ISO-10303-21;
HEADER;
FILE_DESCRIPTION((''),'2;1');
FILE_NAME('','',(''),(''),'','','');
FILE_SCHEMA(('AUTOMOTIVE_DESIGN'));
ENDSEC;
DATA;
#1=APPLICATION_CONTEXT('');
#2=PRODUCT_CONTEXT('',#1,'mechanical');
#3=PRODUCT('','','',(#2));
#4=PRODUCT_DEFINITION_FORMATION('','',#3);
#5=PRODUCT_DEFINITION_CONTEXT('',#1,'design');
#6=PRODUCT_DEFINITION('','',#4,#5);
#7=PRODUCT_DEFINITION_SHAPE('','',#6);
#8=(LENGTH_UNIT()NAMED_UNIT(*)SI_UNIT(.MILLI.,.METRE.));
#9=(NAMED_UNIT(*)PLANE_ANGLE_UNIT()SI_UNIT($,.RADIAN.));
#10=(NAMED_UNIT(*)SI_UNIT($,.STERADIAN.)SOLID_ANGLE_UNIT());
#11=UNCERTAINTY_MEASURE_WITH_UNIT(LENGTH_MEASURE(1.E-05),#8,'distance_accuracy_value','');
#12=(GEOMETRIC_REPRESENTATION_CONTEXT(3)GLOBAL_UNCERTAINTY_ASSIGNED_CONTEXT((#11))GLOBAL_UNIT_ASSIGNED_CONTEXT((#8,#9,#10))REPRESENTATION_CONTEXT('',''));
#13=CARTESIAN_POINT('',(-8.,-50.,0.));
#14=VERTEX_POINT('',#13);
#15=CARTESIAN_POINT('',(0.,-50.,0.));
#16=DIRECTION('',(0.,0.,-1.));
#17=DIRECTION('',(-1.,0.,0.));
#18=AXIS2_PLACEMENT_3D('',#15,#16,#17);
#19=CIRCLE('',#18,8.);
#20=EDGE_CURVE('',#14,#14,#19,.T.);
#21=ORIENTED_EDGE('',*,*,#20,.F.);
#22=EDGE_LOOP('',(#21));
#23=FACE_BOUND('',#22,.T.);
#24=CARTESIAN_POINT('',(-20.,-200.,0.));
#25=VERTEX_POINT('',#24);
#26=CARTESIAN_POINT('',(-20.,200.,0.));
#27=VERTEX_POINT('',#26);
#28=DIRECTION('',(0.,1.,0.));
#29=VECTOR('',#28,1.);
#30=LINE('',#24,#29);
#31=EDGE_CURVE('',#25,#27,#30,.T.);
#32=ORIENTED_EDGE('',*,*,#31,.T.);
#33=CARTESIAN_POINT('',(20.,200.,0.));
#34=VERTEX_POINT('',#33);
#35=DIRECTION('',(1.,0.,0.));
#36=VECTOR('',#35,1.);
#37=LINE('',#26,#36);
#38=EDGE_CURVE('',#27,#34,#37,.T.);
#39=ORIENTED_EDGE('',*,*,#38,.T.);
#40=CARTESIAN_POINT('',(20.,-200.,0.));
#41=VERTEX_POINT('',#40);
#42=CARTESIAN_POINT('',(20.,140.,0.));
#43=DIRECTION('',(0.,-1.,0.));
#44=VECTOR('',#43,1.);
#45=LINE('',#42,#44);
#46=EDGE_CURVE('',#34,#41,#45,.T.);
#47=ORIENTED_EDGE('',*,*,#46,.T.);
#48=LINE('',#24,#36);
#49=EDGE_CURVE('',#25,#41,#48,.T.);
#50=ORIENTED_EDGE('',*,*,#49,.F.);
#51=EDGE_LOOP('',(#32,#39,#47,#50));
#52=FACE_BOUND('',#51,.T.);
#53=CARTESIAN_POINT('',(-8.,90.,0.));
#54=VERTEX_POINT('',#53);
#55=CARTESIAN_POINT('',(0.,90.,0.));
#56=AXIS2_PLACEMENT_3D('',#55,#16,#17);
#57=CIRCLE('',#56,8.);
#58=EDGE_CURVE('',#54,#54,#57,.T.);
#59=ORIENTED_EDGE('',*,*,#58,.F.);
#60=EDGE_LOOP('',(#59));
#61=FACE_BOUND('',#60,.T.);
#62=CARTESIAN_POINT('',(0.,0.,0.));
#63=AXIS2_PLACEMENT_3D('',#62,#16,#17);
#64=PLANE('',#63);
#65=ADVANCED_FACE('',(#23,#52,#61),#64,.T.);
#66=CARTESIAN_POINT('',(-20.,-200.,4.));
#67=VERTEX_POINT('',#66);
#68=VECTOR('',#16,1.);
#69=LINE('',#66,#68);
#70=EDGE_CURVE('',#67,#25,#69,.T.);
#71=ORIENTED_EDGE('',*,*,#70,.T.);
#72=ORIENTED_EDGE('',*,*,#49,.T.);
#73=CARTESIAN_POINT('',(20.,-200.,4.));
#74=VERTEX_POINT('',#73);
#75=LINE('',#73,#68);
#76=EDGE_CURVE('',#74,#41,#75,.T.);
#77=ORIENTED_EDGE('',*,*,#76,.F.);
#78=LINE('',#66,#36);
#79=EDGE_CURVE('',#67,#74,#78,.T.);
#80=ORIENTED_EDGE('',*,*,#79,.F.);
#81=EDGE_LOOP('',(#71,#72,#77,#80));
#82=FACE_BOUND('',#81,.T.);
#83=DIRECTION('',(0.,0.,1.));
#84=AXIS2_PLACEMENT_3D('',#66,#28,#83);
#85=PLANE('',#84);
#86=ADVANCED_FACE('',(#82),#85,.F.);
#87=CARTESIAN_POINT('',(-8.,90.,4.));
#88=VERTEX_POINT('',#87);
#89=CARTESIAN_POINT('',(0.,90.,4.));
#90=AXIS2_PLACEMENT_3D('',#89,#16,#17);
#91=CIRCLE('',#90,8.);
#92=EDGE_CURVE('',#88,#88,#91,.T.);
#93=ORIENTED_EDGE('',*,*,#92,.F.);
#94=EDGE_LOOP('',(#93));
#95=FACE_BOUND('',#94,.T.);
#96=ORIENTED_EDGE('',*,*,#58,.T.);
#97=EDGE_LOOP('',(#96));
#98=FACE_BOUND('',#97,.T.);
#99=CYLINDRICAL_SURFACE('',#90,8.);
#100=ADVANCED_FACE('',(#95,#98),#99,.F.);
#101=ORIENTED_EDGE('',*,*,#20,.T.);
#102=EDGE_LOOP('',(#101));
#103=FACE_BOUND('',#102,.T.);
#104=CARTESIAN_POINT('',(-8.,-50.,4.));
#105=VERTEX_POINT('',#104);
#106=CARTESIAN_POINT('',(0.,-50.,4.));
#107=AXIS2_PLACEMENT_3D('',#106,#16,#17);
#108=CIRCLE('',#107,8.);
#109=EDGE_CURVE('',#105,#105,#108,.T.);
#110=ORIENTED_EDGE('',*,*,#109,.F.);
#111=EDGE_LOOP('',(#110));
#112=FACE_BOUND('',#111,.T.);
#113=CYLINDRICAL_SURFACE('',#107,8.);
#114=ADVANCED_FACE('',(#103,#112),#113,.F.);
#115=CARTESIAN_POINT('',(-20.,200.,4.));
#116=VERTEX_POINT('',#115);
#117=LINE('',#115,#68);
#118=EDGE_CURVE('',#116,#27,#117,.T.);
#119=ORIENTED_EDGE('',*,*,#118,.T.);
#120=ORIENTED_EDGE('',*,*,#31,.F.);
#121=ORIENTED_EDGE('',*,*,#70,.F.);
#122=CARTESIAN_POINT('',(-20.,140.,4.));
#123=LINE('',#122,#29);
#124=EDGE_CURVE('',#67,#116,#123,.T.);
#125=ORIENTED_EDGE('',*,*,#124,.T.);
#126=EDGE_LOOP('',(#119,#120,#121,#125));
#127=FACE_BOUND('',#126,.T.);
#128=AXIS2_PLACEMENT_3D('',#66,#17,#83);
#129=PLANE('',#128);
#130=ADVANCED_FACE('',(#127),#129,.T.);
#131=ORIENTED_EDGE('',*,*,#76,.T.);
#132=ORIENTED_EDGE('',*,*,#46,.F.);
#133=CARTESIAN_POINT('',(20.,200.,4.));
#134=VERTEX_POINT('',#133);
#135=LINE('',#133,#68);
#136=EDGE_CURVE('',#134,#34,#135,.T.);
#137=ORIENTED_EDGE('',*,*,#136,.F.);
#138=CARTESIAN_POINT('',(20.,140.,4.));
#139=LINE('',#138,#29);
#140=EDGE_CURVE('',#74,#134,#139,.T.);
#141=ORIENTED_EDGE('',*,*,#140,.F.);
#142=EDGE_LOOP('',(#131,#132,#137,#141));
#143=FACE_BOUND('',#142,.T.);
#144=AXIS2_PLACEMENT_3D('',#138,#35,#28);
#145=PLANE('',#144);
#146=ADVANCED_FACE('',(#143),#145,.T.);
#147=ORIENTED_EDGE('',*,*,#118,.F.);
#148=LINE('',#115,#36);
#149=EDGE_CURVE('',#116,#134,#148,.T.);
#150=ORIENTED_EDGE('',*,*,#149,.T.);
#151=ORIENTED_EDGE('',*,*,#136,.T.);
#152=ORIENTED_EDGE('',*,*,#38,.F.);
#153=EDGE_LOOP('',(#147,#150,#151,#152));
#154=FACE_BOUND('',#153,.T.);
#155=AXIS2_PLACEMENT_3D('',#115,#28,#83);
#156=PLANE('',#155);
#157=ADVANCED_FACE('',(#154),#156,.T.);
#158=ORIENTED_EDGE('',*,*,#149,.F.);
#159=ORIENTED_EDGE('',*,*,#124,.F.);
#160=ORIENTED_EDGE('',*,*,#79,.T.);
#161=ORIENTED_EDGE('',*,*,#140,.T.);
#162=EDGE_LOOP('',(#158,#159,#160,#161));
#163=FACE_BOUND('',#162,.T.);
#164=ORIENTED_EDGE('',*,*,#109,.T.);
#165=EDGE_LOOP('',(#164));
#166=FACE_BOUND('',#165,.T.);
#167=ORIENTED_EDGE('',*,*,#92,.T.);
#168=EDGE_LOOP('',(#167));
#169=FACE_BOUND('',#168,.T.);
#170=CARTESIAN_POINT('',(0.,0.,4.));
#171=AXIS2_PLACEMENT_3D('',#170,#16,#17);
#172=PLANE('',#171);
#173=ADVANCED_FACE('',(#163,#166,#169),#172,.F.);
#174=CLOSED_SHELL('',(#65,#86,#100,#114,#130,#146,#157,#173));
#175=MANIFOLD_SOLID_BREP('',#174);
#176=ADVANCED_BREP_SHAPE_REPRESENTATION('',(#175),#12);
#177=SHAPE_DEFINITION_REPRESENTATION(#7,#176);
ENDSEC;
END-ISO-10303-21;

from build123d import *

# Parameters (mm, degrees)
BOSS_EXTRUDE1_DEPTH = 4
SKETCH3_R           = 8
BOSS_EXTRUDE2_DEPTH = 4
SKETCH3_2_R         = 8
CUT_EXTRUDE1_DEPTH  = 4


with BuildPart() as part:
    # Sketch1 → Boss-Extrude1 (new body)
    with BuildSketch(Plane.XY):
        Polygon((-20, 140), (-20, -140), (-20, -200), (20, -200), (20, -140), (20, 140), (20, 200), (-20, 200), align=None)
    extrude(amount=BOSS_EXTRUDE1_DEPTH)

    # Sketch3 → Boss-Extrude2 (add)
    with BuildSketch(Plane(origin=(0, 0, 0), x_dir=(-1, 0, 0), z_dir=(0, 0, -1))):
        with Locations((0, 90)):
            Circle(SKETCH3_R)
        with Locations((0, -50)):
            Circle(SKETCH3_R)
    extrude(amount=-BOSS_EXTRUDE2_DEPTH)

    # Sketch3<2> → Cut-Extrude1 (cut)
    with BuildSketch(Plane(origin=(0, 0, 0), x_dir=(-1, 0, 0), z_dir=(0, 0, -1))):
        with Locations((0, 90)):
            Circle(SKETCH3_2_R)
        with Locations((0, -50)):
            Circle(SKETCH3_2_R)
    extrude(amount=-CUT_EXTRUDE1_DEPTH, mode=Mode.SUBTRACT)


solid = part.part
